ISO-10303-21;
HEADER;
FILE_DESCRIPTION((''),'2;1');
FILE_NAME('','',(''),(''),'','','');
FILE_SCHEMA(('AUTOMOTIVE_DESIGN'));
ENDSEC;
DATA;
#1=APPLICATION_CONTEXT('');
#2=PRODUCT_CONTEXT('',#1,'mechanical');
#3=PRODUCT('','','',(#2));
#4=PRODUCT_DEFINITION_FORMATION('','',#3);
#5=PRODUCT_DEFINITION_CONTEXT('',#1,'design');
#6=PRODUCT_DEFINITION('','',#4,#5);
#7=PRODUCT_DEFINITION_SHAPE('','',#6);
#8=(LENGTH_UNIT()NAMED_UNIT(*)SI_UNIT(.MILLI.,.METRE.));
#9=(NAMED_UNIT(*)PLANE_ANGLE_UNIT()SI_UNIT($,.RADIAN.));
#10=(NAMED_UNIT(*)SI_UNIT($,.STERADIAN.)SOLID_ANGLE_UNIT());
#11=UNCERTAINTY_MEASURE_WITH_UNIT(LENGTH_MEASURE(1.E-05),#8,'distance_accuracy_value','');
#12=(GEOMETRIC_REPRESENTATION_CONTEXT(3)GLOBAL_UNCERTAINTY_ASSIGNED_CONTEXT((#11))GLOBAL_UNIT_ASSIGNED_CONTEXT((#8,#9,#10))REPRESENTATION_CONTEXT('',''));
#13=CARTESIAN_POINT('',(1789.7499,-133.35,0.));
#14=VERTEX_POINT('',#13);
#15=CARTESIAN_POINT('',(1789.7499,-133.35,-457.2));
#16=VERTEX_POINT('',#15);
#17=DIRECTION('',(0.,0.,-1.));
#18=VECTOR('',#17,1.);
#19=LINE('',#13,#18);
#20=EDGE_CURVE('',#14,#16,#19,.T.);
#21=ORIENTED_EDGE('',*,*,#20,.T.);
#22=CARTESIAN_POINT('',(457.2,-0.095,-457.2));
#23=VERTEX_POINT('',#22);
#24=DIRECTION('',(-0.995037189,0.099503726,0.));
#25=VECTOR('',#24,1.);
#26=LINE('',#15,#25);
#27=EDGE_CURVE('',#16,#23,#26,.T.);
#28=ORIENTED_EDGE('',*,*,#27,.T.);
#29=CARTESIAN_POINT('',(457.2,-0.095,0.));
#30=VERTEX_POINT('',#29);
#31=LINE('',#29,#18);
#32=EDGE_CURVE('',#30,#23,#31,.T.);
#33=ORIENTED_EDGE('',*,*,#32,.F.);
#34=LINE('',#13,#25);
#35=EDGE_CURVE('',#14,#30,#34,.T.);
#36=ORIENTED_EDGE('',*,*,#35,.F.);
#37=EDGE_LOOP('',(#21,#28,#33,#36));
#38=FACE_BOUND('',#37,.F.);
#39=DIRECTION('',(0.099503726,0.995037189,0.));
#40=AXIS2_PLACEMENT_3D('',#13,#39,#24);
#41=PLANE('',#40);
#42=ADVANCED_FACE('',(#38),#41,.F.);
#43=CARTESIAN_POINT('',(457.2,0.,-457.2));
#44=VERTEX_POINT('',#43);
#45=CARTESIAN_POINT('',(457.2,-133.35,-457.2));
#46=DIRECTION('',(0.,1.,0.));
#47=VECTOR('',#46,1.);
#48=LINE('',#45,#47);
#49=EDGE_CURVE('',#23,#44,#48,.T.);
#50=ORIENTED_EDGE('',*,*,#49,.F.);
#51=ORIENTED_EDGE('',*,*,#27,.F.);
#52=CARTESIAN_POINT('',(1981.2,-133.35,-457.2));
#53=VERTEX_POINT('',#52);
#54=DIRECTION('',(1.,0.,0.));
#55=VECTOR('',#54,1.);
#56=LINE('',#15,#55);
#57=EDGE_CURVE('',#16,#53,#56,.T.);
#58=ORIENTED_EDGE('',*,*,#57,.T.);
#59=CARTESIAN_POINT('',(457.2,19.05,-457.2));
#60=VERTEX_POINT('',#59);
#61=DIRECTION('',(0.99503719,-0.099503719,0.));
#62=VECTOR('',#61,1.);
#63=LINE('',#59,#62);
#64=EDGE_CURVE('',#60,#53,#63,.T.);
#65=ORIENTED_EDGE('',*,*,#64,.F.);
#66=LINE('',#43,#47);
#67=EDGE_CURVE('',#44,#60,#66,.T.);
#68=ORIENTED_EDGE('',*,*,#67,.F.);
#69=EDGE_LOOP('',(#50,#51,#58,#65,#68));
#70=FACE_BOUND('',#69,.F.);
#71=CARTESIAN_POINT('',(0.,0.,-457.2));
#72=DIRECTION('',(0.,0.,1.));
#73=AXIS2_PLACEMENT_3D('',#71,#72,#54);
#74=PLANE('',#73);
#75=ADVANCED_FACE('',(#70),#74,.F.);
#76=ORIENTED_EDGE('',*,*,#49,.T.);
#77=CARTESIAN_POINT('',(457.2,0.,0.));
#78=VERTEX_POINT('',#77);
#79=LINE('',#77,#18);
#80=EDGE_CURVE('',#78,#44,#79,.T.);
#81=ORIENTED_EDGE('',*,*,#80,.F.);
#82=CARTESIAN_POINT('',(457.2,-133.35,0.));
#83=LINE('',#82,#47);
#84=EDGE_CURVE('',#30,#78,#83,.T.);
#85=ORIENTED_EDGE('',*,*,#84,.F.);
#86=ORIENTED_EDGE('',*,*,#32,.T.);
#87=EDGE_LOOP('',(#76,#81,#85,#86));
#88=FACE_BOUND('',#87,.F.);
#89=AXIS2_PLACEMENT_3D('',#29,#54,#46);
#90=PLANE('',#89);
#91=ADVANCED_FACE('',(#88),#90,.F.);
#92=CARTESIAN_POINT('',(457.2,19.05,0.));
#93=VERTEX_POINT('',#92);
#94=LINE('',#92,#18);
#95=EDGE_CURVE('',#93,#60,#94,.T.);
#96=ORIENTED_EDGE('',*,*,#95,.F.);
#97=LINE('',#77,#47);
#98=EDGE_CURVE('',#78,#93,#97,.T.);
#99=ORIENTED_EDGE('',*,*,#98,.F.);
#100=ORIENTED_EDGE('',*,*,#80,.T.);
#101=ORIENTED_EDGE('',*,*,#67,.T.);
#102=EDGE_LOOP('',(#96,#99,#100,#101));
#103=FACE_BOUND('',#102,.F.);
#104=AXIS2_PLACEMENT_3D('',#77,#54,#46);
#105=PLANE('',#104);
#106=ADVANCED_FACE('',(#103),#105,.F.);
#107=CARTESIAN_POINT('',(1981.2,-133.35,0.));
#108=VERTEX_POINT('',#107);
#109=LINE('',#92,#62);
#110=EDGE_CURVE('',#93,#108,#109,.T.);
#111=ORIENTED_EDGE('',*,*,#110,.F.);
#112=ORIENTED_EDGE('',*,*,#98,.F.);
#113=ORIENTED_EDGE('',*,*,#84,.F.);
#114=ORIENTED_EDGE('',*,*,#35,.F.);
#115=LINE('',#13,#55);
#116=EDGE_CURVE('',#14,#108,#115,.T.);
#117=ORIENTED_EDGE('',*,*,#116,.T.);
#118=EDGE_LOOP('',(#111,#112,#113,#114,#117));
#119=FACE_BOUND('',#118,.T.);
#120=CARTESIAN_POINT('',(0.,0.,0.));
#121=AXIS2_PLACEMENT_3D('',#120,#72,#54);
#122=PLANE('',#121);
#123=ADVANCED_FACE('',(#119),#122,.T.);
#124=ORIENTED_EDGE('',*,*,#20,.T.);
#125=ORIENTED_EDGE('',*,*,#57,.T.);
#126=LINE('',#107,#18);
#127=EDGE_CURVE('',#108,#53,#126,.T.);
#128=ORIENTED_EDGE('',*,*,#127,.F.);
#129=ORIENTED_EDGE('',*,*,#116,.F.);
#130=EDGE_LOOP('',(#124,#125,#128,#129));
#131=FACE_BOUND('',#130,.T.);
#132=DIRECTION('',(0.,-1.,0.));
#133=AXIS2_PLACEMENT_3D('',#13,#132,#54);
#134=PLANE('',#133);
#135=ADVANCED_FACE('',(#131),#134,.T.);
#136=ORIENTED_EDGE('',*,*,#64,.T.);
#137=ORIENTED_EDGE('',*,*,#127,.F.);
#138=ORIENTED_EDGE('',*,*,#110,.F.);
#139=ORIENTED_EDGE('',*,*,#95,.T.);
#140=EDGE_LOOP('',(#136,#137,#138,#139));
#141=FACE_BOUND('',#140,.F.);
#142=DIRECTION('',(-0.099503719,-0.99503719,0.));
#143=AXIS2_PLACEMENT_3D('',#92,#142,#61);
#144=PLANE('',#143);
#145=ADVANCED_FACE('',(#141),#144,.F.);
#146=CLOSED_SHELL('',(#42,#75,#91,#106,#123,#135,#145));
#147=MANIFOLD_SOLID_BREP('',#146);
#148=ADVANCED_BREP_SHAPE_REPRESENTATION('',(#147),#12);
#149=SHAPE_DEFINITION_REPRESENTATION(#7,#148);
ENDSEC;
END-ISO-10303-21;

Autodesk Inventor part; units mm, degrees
ref_plane "YZ Plane" through (0, 0, 0) normal (1, 0, 0) x (0, 1, 0)
ref_plane "XZ Plane" through (0, 0, 0) normal (0, 1, 0) x (-1, 0, 0)
ref_plane "XY Plane" through (0, 0, 0) normal (0, 0, 1) x (1, 0, 0)
sketch "Sketch1" plane through (0, 0, 0) normal (0, 0, 1) x (1, 0, 0)
  line L0 (457.2, 0) -> (457.2, 19.05) projected
  line L1 (457.2, -133.35) -> (457.2, 0) projected
  line L2 (0, 0) -> (0, -133.35) projected
  line L3 (457.2, 19.05) -> (1981.2, -133.35)
  line L4 (1789.7499, -133.35) -> (457.2, -0.095)
  line L5 (1789.7499, -133.35) -> (1981.2, -133.35)
  dimension "d3" = 19.05
  dimension "d4" = 1981.2
extrude "Extrusion1" add sketch "Sketch1" against normal blind 457.2
properties part number "Ramp1"
